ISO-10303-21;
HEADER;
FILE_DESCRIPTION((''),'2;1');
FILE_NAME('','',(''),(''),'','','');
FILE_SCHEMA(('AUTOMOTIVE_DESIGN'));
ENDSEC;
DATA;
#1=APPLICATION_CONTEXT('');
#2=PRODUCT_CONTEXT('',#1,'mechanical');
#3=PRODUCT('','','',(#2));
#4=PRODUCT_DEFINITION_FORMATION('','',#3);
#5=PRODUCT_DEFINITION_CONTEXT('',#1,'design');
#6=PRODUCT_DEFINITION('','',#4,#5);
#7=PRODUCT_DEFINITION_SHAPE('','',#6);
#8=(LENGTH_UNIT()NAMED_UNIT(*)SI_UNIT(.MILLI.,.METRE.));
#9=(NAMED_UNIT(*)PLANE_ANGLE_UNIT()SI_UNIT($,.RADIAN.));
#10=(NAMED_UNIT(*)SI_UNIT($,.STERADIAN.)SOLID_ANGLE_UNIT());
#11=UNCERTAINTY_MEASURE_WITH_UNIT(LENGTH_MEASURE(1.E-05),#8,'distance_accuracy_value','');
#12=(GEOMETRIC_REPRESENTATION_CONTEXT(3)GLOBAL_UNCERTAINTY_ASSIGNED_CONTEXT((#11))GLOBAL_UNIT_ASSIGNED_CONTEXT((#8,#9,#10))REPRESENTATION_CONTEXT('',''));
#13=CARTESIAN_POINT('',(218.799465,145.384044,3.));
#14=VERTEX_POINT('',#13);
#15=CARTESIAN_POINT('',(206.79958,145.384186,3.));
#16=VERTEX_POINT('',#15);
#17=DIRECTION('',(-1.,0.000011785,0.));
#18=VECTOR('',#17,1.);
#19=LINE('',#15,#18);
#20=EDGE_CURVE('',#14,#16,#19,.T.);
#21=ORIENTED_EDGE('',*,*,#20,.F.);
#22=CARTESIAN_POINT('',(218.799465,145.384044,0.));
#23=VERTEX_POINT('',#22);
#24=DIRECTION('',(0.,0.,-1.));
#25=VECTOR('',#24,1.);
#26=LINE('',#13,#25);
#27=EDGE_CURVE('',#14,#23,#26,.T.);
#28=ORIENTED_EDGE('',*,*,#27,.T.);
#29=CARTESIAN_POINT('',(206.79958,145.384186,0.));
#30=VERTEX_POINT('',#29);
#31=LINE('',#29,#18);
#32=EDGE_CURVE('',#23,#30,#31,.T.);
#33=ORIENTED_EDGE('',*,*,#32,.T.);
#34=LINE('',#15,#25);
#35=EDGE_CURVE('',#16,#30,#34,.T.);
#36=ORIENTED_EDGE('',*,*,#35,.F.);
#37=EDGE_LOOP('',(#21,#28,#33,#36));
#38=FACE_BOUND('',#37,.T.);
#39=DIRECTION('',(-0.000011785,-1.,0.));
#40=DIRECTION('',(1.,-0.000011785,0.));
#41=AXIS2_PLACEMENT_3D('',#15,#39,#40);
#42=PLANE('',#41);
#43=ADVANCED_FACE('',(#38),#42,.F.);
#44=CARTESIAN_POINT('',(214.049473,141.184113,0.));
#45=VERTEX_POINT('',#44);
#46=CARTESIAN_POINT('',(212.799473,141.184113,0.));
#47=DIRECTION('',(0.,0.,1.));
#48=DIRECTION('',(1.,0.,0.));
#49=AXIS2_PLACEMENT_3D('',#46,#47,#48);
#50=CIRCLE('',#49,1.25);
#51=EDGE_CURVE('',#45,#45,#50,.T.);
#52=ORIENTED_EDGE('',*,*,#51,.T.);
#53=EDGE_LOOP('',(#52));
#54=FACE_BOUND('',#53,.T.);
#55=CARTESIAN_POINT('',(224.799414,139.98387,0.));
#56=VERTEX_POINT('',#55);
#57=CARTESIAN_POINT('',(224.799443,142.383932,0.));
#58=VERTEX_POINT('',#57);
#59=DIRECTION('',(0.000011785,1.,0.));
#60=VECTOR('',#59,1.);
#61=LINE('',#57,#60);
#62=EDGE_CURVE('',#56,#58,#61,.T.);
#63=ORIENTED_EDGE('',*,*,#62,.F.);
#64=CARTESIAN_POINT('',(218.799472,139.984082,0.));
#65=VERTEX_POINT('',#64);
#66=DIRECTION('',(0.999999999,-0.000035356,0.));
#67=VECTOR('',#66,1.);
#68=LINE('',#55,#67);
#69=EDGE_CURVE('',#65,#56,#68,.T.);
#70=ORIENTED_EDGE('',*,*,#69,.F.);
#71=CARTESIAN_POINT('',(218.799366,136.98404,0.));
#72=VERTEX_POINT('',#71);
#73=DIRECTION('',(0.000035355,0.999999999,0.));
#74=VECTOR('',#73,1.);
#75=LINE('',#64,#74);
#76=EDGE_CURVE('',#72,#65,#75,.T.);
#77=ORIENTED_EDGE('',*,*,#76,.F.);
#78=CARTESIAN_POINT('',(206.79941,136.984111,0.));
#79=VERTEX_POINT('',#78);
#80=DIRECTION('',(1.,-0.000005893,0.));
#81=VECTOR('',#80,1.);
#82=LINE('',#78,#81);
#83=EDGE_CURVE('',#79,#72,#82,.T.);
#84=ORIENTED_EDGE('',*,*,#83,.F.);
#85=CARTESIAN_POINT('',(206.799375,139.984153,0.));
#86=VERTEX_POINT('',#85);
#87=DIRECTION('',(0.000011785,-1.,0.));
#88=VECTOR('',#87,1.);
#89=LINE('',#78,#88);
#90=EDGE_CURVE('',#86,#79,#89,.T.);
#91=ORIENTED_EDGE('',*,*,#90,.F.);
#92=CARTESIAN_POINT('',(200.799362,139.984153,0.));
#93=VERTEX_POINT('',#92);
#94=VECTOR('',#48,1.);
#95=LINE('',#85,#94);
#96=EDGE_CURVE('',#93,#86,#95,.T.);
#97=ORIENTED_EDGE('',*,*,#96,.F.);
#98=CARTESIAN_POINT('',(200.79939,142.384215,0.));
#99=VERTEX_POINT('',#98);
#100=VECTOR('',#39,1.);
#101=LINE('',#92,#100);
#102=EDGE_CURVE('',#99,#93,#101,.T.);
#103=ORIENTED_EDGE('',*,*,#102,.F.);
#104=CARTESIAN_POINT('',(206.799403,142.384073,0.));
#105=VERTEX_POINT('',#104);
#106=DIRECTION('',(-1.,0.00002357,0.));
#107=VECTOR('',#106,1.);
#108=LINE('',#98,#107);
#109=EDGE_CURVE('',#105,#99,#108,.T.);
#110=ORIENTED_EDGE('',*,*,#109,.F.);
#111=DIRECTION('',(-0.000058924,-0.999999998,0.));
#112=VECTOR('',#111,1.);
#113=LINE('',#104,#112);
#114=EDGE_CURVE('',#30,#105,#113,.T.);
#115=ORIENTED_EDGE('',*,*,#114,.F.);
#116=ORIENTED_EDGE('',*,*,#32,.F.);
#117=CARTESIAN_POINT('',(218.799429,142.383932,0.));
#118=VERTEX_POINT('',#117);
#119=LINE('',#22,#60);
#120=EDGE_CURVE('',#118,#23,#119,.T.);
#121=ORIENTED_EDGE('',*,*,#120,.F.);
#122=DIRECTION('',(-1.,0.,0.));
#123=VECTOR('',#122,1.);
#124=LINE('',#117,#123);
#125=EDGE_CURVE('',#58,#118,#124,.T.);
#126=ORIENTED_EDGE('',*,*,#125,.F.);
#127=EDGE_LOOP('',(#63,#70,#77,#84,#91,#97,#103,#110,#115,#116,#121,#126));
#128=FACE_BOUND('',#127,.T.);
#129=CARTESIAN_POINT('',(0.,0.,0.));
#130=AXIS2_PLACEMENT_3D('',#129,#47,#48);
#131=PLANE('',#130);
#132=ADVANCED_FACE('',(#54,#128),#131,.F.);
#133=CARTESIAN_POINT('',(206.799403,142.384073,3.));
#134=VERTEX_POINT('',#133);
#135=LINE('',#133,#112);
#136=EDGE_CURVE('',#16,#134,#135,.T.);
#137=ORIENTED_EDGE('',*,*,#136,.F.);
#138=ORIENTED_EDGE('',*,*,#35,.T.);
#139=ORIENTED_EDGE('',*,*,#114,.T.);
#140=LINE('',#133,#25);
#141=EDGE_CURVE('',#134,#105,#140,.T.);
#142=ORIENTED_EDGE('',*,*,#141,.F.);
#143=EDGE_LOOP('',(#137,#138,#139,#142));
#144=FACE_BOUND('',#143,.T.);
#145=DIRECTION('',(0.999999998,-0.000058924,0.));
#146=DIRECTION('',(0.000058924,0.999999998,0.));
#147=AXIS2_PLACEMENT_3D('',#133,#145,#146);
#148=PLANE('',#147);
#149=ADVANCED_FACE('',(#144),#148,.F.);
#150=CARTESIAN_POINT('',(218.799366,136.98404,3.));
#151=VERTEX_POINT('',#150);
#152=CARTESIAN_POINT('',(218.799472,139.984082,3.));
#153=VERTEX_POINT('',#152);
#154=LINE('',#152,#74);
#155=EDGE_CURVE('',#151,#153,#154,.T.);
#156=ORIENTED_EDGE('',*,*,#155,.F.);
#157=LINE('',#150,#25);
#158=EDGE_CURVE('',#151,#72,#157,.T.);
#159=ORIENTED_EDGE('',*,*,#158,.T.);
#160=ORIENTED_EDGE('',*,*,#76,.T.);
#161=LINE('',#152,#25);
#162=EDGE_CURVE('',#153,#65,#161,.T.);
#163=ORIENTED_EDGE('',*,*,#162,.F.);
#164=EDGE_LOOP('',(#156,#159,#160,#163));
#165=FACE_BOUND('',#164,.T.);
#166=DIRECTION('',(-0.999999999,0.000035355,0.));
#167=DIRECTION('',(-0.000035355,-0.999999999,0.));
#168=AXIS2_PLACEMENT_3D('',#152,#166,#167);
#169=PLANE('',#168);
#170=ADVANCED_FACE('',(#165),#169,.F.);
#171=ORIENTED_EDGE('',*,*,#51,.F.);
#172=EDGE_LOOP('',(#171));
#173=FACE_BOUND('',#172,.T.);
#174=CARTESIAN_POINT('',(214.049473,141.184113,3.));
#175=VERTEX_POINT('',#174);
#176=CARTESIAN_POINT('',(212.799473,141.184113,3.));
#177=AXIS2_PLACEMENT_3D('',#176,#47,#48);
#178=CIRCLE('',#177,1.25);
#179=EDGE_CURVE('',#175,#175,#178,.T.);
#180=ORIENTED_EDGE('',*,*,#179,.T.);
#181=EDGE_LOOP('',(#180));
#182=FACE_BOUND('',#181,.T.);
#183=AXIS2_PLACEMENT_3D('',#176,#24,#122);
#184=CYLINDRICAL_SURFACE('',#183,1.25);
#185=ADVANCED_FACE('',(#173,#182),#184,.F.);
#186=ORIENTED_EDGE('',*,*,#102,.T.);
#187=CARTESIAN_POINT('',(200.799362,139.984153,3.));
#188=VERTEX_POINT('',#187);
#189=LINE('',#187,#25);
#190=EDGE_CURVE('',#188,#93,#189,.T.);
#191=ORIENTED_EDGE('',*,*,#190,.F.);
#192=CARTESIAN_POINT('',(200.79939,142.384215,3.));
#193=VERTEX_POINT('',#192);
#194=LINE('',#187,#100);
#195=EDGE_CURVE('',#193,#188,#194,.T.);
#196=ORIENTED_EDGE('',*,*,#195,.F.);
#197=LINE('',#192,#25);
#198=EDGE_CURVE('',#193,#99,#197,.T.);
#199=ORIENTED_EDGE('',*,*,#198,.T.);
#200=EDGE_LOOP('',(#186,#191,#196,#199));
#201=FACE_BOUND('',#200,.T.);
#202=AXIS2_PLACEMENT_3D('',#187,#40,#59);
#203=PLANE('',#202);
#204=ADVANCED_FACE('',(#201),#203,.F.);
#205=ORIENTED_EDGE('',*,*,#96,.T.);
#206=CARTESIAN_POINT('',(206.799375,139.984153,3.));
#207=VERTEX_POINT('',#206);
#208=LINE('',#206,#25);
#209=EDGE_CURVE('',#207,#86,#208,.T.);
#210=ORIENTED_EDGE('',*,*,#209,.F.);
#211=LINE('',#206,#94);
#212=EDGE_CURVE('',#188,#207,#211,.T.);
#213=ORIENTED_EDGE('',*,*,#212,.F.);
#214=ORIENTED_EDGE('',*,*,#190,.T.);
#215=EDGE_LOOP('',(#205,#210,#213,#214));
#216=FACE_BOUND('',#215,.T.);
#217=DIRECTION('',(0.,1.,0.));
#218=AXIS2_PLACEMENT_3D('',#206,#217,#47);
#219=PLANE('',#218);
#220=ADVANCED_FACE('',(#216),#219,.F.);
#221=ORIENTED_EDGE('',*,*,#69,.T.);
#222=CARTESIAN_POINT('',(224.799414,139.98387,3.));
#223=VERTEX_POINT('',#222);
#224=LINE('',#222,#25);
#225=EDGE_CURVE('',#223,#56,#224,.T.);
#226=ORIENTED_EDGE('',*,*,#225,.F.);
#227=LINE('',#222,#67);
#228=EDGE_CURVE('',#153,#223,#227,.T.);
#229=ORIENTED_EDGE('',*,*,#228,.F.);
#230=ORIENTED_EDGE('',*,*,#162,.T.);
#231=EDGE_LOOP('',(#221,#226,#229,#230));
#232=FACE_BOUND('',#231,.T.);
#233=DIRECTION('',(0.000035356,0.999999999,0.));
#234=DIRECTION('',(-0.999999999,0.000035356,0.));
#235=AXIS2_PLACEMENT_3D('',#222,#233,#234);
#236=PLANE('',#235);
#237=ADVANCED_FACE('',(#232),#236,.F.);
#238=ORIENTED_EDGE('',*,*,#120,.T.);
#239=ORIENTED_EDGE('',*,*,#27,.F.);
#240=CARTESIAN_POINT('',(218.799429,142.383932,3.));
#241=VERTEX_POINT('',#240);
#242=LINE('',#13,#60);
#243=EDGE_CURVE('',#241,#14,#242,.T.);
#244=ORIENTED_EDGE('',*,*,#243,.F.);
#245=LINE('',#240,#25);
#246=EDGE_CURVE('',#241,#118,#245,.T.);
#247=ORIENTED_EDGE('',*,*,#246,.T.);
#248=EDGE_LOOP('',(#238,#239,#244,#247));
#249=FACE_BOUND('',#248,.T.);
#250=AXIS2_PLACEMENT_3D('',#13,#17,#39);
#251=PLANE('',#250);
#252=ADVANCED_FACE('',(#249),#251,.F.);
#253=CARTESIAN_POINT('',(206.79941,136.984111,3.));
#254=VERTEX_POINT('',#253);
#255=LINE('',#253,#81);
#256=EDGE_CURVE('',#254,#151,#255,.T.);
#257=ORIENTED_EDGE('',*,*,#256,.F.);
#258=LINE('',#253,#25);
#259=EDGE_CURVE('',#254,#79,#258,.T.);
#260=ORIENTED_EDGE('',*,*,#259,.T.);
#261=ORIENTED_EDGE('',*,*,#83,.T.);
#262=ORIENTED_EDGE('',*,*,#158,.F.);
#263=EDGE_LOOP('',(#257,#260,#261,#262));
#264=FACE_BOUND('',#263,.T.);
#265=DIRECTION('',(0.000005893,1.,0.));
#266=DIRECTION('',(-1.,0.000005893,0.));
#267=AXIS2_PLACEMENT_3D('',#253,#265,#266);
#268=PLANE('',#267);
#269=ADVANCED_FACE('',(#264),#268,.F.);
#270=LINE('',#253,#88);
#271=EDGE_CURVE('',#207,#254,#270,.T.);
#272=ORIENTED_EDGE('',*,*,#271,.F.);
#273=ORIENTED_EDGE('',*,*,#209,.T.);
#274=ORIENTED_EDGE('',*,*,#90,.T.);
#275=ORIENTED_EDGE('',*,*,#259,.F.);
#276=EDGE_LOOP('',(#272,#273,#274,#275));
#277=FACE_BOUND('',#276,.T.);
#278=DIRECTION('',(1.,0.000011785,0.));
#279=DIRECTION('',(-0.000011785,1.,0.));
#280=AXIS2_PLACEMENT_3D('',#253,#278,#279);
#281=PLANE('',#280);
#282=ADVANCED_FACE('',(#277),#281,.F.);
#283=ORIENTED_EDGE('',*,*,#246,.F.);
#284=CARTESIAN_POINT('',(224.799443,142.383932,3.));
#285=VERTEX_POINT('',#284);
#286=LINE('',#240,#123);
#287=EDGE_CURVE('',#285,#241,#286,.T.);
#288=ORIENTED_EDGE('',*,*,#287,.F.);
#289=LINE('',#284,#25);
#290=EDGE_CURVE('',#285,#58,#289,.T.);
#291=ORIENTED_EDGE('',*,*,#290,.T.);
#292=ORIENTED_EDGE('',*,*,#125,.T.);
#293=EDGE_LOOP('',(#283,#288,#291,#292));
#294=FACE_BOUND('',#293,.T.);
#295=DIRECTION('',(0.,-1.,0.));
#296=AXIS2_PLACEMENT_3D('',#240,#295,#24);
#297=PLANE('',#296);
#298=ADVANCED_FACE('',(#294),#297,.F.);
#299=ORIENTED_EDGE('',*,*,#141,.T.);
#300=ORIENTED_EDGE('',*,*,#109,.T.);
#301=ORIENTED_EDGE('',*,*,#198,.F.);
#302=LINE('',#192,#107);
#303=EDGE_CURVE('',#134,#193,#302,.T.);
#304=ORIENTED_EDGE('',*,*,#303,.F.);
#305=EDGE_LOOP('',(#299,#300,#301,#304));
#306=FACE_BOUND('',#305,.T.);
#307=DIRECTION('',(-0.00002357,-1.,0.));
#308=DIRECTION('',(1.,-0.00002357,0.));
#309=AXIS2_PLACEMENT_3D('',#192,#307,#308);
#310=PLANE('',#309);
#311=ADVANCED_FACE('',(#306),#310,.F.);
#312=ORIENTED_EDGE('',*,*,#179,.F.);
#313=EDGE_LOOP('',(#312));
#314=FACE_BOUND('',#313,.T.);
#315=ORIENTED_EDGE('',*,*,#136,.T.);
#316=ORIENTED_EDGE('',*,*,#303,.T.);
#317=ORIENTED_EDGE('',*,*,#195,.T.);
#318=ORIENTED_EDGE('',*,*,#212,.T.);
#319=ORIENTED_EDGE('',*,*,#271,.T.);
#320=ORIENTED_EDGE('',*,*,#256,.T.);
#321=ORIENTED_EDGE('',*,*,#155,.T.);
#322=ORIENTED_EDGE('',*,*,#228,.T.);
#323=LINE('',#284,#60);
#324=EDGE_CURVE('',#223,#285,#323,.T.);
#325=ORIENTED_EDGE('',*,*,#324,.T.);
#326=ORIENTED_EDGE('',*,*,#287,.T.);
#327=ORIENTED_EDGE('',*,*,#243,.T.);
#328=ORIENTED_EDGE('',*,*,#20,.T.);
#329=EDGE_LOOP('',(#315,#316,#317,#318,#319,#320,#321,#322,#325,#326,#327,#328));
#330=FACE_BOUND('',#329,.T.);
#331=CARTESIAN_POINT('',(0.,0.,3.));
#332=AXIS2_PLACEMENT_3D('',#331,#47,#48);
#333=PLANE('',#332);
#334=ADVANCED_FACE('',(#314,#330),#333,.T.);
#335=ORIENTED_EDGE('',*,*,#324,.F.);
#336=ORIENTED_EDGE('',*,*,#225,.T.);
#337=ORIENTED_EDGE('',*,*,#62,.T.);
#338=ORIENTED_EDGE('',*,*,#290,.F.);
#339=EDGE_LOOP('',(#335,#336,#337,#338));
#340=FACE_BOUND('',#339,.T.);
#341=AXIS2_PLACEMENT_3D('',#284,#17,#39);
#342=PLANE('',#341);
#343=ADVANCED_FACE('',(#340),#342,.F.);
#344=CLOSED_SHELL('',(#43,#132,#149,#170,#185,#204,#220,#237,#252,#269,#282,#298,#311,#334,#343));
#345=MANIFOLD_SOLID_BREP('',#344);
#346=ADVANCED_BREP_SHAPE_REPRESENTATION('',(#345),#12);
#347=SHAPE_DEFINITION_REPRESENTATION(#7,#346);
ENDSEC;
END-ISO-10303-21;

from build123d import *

# Parameters (mm, degrees)
SKETCH_1_R      = 1.25
EXTRUDE_1_DEPTH = 3


with BuildPart() as part:
    # 草圖1 → 填料-伸長1 (new body)
    with BuildSketch(Plane.XY):
        Polygon((218.799471831, 139.984082037), (218.799365765, 136.984040098), (206.799410135, 136.984110808), (206.79937478, 139.98415275), (200.799361609, 139.98415275), (200.799389894, 142.384214587), (206.799403063, 142.384073165), (206.799579842, 145.384185814), (218.79946476, 145.384044393), (218.799429403, 142.383931742), (224.799442574, 142.383931742), (224.799414289, 139.983869905), align=None)
        with Locations((212.799472803, 141.184112956)):
            Circle(SKETCH_1_R, mode=Mode.SUBTRACT)
    extrude(amount=EXTRUDE_1_DEPTH)


solid = part.part
